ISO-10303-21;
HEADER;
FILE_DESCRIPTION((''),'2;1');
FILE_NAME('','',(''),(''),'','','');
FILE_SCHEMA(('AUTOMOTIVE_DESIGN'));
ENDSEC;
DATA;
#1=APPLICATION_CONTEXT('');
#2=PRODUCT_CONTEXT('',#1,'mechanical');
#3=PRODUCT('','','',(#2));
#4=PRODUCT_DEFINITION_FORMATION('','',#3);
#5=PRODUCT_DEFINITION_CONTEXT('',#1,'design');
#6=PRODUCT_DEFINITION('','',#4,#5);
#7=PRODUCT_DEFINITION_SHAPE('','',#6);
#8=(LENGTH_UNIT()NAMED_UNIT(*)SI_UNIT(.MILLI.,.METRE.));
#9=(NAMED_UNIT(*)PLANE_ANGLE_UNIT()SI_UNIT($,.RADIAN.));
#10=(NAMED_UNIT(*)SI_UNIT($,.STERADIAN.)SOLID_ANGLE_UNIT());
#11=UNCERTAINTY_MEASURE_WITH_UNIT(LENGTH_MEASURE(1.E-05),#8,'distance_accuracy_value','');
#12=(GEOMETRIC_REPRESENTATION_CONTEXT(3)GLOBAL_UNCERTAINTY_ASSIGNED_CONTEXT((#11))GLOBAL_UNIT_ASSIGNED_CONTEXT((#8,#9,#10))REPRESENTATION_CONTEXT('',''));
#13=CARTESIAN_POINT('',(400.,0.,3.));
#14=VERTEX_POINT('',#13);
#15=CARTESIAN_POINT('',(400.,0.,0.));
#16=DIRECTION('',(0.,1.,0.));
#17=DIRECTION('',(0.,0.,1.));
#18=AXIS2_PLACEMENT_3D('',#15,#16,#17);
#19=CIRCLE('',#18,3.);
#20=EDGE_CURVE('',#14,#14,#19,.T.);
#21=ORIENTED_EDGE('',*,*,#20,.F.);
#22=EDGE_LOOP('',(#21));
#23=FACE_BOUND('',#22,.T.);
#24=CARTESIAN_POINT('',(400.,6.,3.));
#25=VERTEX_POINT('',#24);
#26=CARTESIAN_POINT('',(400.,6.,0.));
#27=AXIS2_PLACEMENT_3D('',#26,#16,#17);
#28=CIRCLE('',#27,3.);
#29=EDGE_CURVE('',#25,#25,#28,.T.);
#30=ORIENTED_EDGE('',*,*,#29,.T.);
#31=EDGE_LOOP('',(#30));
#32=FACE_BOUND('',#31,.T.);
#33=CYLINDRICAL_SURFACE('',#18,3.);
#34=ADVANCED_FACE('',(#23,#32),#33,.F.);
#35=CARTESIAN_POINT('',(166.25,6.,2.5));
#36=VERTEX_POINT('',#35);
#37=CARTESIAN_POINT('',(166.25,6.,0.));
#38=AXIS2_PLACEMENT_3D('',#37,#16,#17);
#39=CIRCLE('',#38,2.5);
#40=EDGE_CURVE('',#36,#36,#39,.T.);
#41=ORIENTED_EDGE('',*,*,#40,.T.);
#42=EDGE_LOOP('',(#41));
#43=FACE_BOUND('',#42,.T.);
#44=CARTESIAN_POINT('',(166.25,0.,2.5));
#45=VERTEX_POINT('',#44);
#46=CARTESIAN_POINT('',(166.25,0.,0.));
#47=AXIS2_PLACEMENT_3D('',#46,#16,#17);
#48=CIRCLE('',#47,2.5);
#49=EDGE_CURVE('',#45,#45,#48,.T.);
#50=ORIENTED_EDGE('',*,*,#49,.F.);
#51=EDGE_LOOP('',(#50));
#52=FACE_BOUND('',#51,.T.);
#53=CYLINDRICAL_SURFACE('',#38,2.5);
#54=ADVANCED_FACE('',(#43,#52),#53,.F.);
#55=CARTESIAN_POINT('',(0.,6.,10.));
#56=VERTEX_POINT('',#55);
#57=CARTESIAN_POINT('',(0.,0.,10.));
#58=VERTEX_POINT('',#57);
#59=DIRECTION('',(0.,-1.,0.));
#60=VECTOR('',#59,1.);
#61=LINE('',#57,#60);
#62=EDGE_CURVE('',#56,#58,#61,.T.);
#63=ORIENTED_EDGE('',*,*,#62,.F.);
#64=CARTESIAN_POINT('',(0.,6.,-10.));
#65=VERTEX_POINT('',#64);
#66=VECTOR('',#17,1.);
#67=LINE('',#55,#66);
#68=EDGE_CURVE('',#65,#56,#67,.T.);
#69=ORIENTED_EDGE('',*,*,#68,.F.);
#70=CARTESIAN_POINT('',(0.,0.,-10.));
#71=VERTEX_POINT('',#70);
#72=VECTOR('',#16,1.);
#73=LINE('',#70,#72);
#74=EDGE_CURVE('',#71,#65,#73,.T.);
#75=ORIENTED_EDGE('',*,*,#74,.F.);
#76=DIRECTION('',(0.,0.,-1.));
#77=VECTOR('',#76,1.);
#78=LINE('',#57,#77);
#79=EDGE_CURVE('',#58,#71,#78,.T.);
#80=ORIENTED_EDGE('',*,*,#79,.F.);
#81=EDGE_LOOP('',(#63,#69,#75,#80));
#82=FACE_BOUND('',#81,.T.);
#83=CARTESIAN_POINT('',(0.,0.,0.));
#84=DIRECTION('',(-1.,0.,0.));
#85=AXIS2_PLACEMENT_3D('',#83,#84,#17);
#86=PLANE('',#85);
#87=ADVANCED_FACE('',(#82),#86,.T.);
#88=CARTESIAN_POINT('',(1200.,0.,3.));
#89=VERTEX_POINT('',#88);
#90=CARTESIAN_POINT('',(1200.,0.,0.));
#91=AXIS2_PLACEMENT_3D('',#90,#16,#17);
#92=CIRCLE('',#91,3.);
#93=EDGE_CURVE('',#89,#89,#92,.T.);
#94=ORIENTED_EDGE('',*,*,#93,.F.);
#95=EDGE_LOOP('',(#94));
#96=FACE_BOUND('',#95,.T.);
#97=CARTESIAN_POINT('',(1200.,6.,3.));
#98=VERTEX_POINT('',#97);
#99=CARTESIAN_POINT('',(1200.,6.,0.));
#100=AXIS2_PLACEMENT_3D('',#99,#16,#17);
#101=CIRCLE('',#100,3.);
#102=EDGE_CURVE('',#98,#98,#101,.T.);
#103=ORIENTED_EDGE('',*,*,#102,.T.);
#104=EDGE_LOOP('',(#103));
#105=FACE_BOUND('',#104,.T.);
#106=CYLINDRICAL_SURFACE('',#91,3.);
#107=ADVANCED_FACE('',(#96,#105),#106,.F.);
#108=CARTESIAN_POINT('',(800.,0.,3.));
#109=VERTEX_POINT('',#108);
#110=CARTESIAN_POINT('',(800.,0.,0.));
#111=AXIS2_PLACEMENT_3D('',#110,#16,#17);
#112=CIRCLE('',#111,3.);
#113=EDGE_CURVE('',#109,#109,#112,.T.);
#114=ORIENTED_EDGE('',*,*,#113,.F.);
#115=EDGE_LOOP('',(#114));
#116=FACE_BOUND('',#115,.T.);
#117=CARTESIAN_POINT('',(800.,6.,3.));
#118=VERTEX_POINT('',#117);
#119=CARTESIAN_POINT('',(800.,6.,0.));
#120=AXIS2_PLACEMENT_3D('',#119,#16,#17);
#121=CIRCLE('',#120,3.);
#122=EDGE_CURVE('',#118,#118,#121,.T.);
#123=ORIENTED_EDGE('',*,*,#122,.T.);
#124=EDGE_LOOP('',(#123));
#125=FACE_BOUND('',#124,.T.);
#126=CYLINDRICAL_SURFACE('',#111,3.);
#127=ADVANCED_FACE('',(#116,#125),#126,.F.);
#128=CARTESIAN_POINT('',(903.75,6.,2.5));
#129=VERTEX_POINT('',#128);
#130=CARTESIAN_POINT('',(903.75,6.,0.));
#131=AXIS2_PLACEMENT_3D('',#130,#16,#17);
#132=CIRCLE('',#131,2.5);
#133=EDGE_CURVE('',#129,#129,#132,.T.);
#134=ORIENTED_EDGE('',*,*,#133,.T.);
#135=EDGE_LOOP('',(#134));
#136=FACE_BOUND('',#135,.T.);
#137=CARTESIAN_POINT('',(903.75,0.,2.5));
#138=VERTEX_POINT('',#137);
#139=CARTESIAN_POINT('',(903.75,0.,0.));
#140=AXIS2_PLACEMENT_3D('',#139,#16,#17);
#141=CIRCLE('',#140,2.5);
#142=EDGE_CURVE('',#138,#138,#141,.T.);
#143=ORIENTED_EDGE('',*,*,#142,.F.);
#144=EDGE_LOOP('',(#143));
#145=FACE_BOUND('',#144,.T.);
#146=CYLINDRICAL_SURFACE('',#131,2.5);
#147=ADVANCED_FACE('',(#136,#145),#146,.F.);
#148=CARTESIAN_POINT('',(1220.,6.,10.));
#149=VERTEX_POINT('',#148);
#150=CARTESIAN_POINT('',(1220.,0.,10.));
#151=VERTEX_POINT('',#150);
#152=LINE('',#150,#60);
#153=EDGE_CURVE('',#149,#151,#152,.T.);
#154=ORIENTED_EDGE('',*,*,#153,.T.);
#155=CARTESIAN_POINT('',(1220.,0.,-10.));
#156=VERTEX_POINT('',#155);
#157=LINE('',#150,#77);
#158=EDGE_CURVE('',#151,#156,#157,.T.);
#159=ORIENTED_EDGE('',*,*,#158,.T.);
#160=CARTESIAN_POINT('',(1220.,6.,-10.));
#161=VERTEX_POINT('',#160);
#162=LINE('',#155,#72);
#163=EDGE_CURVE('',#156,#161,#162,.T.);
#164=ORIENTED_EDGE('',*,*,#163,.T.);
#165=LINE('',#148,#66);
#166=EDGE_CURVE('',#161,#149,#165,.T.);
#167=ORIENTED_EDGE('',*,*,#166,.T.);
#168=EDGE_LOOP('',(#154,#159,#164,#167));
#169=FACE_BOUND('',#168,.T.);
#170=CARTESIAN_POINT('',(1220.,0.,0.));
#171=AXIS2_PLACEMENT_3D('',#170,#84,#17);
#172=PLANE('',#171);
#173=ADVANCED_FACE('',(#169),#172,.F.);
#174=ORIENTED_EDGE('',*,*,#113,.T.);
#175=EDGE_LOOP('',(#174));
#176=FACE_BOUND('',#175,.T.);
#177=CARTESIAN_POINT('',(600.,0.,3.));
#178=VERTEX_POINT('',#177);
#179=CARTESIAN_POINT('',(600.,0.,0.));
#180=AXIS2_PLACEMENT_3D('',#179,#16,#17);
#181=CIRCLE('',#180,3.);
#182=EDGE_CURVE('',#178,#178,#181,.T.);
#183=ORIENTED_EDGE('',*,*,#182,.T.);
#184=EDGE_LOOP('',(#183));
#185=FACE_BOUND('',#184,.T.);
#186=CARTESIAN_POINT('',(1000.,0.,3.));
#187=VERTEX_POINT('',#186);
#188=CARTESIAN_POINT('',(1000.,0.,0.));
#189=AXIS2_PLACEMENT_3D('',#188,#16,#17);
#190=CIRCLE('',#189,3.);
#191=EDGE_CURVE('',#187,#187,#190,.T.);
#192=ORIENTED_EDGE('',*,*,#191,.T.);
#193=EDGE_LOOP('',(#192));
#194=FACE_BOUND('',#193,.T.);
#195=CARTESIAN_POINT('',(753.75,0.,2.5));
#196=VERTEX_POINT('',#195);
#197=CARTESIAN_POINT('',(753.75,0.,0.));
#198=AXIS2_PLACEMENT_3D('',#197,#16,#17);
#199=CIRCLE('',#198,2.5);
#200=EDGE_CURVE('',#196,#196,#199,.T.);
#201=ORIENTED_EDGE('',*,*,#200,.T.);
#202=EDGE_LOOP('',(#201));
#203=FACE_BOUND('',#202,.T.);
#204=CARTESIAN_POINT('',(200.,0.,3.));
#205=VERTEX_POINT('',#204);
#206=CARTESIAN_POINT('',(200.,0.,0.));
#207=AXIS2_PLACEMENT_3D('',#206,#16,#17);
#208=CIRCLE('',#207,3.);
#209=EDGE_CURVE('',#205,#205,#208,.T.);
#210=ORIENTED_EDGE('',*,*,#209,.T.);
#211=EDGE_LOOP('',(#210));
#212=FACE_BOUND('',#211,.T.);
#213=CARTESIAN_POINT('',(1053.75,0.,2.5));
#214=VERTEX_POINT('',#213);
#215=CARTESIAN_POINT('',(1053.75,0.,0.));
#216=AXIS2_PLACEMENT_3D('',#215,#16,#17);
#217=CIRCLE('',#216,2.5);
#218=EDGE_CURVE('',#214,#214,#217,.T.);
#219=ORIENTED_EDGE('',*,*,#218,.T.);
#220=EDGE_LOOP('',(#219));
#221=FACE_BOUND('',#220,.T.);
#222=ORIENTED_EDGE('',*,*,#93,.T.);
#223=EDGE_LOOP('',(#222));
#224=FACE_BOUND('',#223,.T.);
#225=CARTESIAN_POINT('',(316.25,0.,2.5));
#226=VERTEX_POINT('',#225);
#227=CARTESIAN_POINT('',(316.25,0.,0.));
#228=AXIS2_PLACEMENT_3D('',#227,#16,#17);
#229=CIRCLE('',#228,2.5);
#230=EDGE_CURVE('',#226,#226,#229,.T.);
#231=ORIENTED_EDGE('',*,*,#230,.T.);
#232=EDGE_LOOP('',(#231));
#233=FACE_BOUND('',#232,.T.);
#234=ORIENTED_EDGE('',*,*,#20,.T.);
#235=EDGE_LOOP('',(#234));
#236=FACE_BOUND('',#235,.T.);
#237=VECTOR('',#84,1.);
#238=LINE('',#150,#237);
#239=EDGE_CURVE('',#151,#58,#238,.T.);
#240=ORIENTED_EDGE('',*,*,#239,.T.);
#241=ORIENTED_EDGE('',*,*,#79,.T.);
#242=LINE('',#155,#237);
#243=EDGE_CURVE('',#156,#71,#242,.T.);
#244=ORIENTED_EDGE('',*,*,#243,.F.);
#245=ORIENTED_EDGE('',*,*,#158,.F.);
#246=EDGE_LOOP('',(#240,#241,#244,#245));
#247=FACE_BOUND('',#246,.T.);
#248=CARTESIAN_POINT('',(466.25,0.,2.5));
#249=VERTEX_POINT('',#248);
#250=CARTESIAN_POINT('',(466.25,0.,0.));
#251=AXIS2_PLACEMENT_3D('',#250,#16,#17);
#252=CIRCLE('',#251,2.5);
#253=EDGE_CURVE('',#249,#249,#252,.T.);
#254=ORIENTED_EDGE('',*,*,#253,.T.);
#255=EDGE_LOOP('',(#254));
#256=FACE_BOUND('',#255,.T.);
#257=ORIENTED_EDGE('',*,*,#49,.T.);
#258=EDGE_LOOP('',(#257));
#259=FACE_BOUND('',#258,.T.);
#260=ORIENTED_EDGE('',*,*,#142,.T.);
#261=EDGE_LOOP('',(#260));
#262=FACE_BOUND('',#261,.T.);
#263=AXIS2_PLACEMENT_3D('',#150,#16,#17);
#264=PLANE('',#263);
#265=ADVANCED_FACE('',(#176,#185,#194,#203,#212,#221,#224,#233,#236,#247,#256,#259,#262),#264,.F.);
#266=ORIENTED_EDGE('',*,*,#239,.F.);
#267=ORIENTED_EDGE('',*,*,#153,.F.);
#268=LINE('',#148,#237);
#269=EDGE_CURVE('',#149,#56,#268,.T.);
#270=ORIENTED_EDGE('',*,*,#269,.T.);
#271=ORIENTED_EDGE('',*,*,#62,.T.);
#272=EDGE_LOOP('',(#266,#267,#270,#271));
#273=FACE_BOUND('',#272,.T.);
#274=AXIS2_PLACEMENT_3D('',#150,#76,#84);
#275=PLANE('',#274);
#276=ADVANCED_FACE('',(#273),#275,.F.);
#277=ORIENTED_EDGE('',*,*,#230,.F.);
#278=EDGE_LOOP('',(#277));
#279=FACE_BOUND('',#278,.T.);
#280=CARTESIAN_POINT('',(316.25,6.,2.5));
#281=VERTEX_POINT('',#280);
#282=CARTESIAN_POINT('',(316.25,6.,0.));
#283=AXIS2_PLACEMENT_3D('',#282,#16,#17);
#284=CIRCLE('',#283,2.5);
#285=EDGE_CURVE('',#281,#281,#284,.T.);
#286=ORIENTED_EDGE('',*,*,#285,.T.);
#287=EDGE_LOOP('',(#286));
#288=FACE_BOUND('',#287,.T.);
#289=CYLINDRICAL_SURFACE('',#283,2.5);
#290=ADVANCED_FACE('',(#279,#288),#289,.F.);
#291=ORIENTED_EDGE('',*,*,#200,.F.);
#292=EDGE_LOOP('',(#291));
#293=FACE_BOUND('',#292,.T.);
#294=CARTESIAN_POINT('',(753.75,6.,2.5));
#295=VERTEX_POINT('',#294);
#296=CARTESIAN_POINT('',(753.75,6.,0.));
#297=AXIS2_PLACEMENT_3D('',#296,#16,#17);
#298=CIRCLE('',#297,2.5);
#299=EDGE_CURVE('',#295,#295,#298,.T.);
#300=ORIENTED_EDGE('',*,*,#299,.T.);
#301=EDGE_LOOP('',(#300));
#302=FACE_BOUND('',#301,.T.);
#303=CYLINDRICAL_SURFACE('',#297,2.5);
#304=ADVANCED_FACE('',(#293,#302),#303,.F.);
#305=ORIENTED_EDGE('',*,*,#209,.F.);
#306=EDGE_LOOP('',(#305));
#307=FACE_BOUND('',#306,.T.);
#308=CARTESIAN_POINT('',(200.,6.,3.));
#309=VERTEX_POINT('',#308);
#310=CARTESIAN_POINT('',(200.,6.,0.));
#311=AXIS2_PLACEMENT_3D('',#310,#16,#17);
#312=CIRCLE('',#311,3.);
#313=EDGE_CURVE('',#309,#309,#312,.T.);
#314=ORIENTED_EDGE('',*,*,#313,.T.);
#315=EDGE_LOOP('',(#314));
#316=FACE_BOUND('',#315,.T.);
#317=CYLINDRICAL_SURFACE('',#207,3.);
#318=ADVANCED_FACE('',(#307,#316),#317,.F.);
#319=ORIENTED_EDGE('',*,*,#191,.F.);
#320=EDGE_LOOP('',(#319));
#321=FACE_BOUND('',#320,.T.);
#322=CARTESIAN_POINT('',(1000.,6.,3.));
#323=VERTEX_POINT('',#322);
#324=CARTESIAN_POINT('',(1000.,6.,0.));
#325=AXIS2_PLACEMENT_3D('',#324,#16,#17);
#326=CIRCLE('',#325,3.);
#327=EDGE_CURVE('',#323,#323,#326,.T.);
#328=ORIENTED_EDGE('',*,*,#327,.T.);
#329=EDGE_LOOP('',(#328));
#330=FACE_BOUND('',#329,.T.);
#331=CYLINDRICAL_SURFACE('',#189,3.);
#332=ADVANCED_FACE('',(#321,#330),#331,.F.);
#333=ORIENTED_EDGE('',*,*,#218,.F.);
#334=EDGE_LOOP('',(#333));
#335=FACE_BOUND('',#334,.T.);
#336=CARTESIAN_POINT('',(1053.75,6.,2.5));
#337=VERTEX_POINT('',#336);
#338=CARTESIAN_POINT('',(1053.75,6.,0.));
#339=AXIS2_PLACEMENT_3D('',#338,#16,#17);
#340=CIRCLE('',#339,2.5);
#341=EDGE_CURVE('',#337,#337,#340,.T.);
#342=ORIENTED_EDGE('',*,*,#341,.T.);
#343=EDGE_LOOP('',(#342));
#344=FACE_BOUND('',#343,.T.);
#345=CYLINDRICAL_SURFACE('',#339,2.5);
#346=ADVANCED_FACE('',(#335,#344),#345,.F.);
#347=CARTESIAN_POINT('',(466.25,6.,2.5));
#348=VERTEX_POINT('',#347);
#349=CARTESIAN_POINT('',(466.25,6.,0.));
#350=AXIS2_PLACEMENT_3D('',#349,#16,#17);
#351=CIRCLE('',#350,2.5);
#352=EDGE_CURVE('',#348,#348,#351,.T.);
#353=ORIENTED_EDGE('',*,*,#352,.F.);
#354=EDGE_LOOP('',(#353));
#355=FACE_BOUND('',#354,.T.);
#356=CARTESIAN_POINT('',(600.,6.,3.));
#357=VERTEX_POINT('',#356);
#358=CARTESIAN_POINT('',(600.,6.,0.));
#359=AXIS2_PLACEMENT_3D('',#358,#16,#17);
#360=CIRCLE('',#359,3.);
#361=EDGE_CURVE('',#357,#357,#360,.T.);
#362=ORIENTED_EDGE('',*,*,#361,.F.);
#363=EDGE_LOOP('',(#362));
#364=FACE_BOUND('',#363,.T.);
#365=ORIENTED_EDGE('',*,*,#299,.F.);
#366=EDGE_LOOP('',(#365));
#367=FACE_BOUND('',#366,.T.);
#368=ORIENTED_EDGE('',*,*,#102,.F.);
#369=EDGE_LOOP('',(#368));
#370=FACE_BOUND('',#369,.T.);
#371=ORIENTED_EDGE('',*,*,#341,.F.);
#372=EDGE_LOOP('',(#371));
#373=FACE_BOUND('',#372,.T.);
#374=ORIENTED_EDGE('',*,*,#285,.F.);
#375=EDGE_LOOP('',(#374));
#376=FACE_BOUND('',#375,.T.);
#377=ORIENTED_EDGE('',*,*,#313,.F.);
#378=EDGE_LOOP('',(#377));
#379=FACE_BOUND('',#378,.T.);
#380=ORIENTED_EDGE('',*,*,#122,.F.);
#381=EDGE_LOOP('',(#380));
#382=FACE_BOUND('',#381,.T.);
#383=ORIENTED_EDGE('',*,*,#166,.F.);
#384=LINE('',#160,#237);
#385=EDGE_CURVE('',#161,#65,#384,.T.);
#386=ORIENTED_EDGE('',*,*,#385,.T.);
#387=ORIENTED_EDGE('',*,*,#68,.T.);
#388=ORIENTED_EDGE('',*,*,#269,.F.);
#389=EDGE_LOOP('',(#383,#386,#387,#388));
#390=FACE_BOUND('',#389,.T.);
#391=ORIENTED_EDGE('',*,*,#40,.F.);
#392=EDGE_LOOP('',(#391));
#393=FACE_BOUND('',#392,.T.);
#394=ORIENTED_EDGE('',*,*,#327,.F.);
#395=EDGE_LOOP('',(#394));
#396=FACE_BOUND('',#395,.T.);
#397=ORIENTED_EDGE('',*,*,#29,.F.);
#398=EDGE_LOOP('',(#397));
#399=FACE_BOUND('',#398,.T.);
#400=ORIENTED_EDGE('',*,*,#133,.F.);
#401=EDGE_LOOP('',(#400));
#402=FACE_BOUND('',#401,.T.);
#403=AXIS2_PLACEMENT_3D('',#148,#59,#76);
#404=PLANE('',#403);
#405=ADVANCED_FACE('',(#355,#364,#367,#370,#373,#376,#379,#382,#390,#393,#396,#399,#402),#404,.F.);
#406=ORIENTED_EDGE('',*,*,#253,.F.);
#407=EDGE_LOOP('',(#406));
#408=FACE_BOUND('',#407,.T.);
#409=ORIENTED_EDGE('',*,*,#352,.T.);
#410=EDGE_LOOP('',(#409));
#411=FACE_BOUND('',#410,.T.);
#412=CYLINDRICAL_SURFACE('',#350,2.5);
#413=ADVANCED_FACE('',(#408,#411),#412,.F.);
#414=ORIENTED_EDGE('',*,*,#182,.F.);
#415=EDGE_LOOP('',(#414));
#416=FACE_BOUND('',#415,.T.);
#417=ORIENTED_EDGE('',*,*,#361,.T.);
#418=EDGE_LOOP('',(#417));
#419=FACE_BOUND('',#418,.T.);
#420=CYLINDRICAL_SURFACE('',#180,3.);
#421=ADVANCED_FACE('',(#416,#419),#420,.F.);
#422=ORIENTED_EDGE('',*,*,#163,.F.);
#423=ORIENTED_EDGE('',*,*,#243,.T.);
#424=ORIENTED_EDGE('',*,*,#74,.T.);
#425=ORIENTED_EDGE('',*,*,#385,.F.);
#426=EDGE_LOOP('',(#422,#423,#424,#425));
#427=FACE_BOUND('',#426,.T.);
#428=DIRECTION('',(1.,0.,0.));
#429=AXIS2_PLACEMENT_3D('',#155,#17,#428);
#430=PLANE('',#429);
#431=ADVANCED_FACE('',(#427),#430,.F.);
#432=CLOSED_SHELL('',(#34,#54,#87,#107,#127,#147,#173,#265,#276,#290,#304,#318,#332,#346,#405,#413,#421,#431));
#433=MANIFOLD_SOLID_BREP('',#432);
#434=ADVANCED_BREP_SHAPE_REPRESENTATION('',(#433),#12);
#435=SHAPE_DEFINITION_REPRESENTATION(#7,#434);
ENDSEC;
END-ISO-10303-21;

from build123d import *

# Parameters (mm, degrees)
SKETCH1_W           = 20
SKETCH1_H           = 6
BOSS_EXTRUDE1_DEPTH = 1220
SKETCH2_R           = 3
CUT_EXTRUDE1_DEPTH  = 1221.055736432
M6_TAPPED_HOLE1_D   = 5


with BuildPart() as part:
    # Sketch1 → Boss-Extrude1 (new body)
    with BuildSketch(Plane(origin=(0, 0, 0), x_dir=(0, 0, -1), z_dir=(1, 0, 0))):
        with Locations((0, 3)):
            Rectangle(SKETCH1_W, SKETCH1_H)
    extrude(amount=BOSS_EXTRUDE1_DEPTH)

    # Sketch2 → Cut-Extrude1 (cut, through all)
    with BuildSketch(Plane(origin=(0, 6, 0), x_dir=(1, 0, 0), z_dir=(0, 1, 0))):
        with Locations(Location((200, 0, 0), (0, 0, 270))):
            Circle(SKETCH2_R)
        with Locations(Location((400, 0, 0), (0, 0, 270))):
            Circle(SKETCH2_R)
        with Locations(Location((600, 0, 0), (0, 0, 270))):
            Circle(SKETCH2_R)
        with Locations(Location((800, 0, 0), (0, 0, 270))):
            Circle(SKETCH2_R)
        with Locations(Location((1000, 0, 0), (0, 0, 270))):
            Circle(SKETCH2_R)
        with Locations(Location((1200, 0, 0), (0, 0, 270))):
            Circle(SKETCH2_R)
    extrude(amount=-CUT_EXTRUDE1_DEPTH, mode=Mode.SUBTRACT)

    # M6 Tapped Hole1 (through all)
    with Locations(Plane(origin=(0, 6, 0), x_dir=(1, 0, 0), z_dir=(0, 1, 0))):
        with Locations((1053.75, 0), (166.25, 0), (316.25, 0), (466.25, 0), (753.75, 0), (903.75, 0)):
            Hole(M6_TAPPED_HOLE1_D / 2)


solid = part.part
